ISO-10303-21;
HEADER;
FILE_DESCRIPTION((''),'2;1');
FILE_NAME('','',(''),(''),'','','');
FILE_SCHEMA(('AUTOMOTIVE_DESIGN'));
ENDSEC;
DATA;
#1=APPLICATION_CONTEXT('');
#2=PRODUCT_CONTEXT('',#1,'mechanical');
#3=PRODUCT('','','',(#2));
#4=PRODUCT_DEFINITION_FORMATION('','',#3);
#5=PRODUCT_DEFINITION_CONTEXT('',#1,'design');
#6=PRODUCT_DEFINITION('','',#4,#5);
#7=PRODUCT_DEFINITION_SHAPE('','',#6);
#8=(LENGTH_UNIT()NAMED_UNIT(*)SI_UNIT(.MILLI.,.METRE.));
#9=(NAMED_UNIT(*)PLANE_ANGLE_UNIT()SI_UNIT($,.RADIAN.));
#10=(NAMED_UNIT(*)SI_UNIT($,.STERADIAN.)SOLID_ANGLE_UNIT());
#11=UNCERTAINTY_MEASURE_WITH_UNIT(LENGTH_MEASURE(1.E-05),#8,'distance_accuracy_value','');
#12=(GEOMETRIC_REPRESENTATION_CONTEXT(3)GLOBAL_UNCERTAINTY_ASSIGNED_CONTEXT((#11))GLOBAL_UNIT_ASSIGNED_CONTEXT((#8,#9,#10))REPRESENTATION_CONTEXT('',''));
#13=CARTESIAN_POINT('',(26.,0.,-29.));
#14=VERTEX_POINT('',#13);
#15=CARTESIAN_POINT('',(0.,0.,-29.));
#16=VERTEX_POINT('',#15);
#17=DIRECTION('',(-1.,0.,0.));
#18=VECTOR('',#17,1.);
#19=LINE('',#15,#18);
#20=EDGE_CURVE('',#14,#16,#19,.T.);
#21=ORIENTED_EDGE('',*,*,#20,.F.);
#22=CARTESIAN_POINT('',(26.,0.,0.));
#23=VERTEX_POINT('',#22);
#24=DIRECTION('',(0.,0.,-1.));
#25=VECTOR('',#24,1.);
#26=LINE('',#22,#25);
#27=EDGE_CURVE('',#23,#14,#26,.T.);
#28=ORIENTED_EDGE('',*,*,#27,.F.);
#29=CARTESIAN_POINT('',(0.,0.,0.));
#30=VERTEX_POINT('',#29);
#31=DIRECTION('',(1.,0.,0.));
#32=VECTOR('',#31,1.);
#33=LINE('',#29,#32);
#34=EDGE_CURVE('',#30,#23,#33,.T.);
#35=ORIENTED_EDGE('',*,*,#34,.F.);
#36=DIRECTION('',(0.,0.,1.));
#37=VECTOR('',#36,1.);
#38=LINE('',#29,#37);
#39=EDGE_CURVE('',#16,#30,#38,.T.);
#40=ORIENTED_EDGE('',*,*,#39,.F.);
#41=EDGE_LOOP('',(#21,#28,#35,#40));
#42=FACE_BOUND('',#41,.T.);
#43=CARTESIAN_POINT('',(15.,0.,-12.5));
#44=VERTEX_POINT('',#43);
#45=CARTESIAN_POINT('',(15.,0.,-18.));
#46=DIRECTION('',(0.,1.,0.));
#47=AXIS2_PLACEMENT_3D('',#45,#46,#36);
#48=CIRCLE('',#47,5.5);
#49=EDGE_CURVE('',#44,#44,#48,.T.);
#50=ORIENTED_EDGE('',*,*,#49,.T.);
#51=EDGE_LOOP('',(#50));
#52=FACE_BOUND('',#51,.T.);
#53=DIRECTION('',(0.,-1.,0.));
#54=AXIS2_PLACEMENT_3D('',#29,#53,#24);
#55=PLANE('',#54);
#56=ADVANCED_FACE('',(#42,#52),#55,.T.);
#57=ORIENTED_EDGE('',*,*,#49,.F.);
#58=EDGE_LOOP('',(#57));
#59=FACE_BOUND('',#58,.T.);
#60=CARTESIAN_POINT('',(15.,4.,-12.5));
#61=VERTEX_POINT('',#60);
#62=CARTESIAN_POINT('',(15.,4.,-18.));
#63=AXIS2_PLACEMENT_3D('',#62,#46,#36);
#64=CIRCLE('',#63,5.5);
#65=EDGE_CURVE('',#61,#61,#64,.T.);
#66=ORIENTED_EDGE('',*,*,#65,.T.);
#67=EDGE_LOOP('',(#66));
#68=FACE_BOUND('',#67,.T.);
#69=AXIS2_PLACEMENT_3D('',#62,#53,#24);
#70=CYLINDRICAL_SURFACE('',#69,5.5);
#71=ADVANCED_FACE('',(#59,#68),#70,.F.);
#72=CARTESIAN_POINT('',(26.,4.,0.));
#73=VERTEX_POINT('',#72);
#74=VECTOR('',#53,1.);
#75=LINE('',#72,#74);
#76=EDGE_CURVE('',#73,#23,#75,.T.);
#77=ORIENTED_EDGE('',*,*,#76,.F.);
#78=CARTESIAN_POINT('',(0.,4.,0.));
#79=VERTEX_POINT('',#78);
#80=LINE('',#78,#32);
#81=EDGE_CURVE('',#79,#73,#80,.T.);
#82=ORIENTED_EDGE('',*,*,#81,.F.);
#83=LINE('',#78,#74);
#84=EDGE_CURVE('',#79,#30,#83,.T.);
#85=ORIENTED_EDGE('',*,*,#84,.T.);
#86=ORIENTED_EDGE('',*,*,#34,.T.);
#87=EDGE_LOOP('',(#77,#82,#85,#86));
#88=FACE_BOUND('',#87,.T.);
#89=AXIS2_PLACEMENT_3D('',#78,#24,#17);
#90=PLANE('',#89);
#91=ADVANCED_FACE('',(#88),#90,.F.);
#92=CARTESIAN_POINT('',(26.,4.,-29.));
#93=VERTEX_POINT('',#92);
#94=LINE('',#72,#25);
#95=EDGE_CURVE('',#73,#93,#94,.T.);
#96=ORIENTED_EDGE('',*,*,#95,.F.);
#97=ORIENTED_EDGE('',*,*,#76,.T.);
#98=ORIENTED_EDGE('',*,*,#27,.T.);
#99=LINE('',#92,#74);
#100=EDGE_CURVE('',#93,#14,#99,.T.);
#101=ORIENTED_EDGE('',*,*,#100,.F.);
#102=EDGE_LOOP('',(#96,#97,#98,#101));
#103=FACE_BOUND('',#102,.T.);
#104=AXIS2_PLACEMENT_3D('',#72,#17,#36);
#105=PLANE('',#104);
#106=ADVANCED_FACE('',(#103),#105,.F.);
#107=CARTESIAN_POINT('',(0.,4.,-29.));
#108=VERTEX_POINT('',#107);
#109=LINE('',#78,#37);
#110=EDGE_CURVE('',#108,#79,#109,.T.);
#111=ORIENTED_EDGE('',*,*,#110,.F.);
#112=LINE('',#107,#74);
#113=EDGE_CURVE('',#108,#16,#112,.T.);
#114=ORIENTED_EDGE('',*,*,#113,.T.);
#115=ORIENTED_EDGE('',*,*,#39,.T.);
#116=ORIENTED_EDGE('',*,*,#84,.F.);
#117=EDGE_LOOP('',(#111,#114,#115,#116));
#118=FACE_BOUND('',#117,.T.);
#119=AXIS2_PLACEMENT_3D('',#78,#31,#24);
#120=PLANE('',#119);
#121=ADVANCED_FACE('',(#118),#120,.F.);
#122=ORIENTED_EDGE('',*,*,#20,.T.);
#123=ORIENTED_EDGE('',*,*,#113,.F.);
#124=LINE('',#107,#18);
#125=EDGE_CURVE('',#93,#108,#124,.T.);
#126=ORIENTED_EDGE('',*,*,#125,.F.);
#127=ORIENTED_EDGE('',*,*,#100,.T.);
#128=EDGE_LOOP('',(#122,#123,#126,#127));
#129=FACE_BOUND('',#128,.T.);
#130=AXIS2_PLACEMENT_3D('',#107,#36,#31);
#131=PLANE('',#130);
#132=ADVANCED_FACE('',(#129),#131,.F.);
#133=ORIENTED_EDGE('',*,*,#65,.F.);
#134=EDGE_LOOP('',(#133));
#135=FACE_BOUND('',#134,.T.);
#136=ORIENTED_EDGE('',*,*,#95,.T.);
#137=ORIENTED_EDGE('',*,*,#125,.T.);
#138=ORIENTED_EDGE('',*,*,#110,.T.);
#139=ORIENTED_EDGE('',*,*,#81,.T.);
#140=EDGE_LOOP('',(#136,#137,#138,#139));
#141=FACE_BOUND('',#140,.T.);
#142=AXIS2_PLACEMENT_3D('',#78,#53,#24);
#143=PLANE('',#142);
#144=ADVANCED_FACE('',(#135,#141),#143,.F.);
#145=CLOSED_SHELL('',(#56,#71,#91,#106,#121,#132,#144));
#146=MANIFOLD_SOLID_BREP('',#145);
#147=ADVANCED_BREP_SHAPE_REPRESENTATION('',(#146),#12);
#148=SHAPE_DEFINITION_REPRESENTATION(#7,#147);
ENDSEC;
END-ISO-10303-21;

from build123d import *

# Parameters (mm, degrees)
SKETCH_1_W      = 26
SKETCH_1_H      = 29
SKETCH_1_R      = 5.5
EXTRUDE_1_DEPTH = 4


with BuildPart() as part:
    # Эскиз1 → Бобышка-Вытянуть1 (new body)
    with BuildSketch(Plane(origin=(0, 0, 0), x_dir=(1, 0, 0), z_dir=(0, 1, 0))):
        with Locations((13, 14.5)):
            Rectangle(SKETCH_1_W, SKETCH_1_H)
        with Locations((15, 18)):
            Circle(SKETCH_1_R, mode=Mode.SUBTRACT)
    extrude(amount=EXTRUDE_1_DEPTH)


solid = part.part
